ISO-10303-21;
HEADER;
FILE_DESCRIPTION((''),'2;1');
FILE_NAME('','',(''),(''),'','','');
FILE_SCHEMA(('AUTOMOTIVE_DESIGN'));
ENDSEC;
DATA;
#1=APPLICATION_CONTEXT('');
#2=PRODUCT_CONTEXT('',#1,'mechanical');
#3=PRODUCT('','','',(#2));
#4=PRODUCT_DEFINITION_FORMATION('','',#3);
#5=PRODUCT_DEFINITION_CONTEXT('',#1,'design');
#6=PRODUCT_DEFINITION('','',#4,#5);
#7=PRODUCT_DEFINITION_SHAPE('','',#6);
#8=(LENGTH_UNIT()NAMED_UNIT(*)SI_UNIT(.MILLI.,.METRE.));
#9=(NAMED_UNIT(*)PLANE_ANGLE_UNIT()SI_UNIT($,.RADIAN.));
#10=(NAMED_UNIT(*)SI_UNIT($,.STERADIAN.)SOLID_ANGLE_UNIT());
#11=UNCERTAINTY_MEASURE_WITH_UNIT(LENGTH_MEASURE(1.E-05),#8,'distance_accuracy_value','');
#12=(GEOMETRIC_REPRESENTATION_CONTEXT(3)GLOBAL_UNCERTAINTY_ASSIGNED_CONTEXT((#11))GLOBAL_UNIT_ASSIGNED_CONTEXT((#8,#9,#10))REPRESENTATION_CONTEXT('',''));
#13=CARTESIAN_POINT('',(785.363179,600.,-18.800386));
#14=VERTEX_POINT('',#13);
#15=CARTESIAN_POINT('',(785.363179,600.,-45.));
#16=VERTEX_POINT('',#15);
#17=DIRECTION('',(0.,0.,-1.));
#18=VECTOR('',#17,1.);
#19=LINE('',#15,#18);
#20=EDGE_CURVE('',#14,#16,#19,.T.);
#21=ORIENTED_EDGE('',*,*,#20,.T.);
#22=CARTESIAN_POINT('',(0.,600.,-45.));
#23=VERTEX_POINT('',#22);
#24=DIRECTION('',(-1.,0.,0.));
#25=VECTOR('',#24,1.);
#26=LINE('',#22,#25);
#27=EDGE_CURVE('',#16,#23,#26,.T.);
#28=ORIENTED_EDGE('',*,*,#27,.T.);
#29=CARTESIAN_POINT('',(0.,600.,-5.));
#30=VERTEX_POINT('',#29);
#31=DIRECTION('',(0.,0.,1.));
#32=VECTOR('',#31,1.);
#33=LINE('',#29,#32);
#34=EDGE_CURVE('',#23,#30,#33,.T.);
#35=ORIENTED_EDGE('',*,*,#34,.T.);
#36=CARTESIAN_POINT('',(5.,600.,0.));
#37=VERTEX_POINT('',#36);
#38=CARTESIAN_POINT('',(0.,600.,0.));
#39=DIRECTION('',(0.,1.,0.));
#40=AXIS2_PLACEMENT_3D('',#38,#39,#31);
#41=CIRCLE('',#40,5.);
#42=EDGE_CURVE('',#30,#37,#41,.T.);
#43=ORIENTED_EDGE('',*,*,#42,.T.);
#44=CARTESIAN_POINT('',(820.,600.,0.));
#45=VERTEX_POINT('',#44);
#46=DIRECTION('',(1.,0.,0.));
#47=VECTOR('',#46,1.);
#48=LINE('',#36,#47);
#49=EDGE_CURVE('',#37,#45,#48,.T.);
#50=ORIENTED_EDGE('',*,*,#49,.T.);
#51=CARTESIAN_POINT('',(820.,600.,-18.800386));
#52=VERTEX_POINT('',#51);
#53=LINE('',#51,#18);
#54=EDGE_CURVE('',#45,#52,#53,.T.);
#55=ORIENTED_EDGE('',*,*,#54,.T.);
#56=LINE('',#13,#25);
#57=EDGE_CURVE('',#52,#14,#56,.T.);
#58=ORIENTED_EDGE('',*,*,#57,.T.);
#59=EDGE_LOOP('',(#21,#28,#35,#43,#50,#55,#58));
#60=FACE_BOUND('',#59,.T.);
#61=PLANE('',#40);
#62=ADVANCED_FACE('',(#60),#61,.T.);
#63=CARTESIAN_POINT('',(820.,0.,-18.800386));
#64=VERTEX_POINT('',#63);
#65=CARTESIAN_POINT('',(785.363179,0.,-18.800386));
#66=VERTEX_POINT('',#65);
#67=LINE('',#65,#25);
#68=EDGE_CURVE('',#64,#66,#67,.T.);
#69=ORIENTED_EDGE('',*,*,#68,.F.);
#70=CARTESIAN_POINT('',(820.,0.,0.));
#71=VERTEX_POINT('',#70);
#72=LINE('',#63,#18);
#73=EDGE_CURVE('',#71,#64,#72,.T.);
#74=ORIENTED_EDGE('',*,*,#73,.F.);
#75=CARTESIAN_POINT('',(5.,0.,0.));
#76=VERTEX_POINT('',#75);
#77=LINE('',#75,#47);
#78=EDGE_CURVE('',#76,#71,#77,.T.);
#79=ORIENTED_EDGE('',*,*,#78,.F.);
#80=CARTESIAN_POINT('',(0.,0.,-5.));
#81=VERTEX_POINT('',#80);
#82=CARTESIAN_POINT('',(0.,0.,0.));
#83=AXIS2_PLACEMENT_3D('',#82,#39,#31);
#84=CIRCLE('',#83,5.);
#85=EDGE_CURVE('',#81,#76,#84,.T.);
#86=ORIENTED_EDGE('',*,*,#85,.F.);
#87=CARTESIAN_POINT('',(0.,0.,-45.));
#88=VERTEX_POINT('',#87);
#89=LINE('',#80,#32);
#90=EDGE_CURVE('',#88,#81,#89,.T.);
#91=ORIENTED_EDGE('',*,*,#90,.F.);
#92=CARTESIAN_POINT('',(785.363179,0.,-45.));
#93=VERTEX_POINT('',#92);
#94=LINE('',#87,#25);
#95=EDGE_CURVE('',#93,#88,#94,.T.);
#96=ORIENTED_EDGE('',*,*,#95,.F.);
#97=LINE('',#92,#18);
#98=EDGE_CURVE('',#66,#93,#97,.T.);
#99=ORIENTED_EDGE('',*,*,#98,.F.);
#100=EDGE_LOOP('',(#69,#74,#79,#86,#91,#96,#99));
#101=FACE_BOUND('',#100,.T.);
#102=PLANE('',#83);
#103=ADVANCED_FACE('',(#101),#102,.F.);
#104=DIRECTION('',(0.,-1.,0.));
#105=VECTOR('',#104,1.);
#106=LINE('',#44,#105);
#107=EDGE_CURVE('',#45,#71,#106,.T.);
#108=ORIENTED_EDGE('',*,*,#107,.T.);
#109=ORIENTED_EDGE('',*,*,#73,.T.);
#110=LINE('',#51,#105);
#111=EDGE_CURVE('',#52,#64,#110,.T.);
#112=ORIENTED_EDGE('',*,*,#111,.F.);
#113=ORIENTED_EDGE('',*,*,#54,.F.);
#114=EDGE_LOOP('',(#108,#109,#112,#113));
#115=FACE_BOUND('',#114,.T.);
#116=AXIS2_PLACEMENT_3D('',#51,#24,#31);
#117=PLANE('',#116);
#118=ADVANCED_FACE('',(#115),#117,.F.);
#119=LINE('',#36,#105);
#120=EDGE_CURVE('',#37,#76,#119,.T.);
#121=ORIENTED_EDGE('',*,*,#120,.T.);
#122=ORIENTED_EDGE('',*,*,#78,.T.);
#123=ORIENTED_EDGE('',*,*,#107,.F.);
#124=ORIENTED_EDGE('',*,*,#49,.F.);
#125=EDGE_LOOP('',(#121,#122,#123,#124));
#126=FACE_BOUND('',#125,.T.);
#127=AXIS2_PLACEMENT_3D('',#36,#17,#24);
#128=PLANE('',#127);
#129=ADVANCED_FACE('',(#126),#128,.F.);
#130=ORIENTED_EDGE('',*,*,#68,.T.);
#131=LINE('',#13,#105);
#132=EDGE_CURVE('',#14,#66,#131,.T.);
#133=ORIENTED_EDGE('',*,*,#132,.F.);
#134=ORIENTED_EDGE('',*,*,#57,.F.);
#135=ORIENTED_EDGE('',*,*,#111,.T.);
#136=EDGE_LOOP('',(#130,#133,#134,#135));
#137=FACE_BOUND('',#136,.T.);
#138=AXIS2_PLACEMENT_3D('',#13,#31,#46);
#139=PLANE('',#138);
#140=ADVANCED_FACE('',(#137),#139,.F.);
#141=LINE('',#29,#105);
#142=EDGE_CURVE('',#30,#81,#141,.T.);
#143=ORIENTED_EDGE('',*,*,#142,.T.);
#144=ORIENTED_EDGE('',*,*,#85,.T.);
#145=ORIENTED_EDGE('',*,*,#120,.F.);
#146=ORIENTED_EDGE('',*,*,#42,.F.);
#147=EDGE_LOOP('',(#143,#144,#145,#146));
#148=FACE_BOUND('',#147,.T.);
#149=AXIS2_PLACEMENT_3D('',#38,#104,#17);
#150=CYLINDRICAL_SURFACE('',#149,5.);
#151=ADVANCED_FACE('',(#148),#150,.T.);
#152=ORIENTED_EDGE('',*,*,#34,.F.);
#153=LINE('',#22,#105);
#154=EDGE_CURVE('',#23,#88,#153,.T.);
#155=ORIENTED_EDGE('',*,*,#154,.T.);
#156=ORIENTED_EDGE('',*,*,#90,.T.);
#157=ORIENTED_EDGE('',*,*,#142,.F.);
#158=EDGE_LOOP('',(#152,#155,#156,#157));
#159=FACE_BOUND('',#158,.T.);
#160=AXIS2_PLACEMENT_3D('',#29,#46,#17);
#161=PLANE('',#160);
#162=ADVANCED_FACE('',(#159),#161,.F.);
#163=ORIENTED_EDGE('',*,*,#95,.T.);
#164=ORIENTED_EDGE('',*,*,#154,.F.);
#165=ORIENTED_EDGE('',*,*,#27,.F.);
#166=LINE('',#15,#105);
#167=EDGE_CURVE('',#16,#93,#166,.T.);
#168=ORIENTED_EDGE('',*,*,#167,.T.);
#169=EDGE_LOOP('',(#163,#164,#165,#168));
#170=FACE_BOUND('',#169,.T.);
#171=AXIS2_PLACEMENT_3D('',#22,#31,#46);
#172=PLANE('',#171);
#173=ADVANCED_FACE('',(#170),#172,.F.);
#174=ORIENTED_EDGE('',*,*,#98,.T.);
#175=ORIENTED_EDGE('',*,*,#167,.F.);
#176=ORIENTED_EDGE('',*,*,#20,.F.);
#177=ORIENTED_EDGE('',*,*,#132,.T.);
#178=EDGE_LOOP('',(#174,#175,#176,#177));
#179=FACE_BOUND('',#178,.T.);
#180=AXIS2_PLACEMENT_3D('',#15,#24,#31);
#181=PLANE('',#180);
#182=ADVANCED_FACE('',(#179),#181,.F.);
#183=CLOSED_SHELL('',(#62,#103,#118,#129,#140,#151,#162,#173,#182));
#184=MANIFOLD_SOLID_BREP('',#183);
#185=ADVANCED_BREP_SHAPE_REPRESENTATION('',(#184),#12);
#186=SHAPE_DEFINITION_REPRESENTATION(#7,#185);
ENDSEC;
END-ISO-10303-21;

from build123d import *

# Parameters (mm, degrees)
EXTRUDE_1_DEPTH = 600


with BuildPart() as part:
    # Эскиз1 → Бобышка-Вытянуть1 (new body)
    with BuildSketch(Plane(origin=(0, 0, 0), x_dir=(1, 0, 0), z_dir=(0, 1, 0))):
        with BuildLine():
            Line((5, 0), (820, 0))
            Line((820, 0), (820, 18.800386004))
            Line((820, 18.800386004), (785.363179306, 18.800386004))
            Line((785.363179306, 18.800386004), (785.363179306, 45))
            Line((785.363179306, 45), (0, 45))
            Line((0, 45), (0, 5))
            ThreePointArc((0, 5), (-3.535533906, -3.535533906), (5, 0))
        make_face()
    extrude(amount=EXTRUDE_1_DEPTH)


solid = part.part
